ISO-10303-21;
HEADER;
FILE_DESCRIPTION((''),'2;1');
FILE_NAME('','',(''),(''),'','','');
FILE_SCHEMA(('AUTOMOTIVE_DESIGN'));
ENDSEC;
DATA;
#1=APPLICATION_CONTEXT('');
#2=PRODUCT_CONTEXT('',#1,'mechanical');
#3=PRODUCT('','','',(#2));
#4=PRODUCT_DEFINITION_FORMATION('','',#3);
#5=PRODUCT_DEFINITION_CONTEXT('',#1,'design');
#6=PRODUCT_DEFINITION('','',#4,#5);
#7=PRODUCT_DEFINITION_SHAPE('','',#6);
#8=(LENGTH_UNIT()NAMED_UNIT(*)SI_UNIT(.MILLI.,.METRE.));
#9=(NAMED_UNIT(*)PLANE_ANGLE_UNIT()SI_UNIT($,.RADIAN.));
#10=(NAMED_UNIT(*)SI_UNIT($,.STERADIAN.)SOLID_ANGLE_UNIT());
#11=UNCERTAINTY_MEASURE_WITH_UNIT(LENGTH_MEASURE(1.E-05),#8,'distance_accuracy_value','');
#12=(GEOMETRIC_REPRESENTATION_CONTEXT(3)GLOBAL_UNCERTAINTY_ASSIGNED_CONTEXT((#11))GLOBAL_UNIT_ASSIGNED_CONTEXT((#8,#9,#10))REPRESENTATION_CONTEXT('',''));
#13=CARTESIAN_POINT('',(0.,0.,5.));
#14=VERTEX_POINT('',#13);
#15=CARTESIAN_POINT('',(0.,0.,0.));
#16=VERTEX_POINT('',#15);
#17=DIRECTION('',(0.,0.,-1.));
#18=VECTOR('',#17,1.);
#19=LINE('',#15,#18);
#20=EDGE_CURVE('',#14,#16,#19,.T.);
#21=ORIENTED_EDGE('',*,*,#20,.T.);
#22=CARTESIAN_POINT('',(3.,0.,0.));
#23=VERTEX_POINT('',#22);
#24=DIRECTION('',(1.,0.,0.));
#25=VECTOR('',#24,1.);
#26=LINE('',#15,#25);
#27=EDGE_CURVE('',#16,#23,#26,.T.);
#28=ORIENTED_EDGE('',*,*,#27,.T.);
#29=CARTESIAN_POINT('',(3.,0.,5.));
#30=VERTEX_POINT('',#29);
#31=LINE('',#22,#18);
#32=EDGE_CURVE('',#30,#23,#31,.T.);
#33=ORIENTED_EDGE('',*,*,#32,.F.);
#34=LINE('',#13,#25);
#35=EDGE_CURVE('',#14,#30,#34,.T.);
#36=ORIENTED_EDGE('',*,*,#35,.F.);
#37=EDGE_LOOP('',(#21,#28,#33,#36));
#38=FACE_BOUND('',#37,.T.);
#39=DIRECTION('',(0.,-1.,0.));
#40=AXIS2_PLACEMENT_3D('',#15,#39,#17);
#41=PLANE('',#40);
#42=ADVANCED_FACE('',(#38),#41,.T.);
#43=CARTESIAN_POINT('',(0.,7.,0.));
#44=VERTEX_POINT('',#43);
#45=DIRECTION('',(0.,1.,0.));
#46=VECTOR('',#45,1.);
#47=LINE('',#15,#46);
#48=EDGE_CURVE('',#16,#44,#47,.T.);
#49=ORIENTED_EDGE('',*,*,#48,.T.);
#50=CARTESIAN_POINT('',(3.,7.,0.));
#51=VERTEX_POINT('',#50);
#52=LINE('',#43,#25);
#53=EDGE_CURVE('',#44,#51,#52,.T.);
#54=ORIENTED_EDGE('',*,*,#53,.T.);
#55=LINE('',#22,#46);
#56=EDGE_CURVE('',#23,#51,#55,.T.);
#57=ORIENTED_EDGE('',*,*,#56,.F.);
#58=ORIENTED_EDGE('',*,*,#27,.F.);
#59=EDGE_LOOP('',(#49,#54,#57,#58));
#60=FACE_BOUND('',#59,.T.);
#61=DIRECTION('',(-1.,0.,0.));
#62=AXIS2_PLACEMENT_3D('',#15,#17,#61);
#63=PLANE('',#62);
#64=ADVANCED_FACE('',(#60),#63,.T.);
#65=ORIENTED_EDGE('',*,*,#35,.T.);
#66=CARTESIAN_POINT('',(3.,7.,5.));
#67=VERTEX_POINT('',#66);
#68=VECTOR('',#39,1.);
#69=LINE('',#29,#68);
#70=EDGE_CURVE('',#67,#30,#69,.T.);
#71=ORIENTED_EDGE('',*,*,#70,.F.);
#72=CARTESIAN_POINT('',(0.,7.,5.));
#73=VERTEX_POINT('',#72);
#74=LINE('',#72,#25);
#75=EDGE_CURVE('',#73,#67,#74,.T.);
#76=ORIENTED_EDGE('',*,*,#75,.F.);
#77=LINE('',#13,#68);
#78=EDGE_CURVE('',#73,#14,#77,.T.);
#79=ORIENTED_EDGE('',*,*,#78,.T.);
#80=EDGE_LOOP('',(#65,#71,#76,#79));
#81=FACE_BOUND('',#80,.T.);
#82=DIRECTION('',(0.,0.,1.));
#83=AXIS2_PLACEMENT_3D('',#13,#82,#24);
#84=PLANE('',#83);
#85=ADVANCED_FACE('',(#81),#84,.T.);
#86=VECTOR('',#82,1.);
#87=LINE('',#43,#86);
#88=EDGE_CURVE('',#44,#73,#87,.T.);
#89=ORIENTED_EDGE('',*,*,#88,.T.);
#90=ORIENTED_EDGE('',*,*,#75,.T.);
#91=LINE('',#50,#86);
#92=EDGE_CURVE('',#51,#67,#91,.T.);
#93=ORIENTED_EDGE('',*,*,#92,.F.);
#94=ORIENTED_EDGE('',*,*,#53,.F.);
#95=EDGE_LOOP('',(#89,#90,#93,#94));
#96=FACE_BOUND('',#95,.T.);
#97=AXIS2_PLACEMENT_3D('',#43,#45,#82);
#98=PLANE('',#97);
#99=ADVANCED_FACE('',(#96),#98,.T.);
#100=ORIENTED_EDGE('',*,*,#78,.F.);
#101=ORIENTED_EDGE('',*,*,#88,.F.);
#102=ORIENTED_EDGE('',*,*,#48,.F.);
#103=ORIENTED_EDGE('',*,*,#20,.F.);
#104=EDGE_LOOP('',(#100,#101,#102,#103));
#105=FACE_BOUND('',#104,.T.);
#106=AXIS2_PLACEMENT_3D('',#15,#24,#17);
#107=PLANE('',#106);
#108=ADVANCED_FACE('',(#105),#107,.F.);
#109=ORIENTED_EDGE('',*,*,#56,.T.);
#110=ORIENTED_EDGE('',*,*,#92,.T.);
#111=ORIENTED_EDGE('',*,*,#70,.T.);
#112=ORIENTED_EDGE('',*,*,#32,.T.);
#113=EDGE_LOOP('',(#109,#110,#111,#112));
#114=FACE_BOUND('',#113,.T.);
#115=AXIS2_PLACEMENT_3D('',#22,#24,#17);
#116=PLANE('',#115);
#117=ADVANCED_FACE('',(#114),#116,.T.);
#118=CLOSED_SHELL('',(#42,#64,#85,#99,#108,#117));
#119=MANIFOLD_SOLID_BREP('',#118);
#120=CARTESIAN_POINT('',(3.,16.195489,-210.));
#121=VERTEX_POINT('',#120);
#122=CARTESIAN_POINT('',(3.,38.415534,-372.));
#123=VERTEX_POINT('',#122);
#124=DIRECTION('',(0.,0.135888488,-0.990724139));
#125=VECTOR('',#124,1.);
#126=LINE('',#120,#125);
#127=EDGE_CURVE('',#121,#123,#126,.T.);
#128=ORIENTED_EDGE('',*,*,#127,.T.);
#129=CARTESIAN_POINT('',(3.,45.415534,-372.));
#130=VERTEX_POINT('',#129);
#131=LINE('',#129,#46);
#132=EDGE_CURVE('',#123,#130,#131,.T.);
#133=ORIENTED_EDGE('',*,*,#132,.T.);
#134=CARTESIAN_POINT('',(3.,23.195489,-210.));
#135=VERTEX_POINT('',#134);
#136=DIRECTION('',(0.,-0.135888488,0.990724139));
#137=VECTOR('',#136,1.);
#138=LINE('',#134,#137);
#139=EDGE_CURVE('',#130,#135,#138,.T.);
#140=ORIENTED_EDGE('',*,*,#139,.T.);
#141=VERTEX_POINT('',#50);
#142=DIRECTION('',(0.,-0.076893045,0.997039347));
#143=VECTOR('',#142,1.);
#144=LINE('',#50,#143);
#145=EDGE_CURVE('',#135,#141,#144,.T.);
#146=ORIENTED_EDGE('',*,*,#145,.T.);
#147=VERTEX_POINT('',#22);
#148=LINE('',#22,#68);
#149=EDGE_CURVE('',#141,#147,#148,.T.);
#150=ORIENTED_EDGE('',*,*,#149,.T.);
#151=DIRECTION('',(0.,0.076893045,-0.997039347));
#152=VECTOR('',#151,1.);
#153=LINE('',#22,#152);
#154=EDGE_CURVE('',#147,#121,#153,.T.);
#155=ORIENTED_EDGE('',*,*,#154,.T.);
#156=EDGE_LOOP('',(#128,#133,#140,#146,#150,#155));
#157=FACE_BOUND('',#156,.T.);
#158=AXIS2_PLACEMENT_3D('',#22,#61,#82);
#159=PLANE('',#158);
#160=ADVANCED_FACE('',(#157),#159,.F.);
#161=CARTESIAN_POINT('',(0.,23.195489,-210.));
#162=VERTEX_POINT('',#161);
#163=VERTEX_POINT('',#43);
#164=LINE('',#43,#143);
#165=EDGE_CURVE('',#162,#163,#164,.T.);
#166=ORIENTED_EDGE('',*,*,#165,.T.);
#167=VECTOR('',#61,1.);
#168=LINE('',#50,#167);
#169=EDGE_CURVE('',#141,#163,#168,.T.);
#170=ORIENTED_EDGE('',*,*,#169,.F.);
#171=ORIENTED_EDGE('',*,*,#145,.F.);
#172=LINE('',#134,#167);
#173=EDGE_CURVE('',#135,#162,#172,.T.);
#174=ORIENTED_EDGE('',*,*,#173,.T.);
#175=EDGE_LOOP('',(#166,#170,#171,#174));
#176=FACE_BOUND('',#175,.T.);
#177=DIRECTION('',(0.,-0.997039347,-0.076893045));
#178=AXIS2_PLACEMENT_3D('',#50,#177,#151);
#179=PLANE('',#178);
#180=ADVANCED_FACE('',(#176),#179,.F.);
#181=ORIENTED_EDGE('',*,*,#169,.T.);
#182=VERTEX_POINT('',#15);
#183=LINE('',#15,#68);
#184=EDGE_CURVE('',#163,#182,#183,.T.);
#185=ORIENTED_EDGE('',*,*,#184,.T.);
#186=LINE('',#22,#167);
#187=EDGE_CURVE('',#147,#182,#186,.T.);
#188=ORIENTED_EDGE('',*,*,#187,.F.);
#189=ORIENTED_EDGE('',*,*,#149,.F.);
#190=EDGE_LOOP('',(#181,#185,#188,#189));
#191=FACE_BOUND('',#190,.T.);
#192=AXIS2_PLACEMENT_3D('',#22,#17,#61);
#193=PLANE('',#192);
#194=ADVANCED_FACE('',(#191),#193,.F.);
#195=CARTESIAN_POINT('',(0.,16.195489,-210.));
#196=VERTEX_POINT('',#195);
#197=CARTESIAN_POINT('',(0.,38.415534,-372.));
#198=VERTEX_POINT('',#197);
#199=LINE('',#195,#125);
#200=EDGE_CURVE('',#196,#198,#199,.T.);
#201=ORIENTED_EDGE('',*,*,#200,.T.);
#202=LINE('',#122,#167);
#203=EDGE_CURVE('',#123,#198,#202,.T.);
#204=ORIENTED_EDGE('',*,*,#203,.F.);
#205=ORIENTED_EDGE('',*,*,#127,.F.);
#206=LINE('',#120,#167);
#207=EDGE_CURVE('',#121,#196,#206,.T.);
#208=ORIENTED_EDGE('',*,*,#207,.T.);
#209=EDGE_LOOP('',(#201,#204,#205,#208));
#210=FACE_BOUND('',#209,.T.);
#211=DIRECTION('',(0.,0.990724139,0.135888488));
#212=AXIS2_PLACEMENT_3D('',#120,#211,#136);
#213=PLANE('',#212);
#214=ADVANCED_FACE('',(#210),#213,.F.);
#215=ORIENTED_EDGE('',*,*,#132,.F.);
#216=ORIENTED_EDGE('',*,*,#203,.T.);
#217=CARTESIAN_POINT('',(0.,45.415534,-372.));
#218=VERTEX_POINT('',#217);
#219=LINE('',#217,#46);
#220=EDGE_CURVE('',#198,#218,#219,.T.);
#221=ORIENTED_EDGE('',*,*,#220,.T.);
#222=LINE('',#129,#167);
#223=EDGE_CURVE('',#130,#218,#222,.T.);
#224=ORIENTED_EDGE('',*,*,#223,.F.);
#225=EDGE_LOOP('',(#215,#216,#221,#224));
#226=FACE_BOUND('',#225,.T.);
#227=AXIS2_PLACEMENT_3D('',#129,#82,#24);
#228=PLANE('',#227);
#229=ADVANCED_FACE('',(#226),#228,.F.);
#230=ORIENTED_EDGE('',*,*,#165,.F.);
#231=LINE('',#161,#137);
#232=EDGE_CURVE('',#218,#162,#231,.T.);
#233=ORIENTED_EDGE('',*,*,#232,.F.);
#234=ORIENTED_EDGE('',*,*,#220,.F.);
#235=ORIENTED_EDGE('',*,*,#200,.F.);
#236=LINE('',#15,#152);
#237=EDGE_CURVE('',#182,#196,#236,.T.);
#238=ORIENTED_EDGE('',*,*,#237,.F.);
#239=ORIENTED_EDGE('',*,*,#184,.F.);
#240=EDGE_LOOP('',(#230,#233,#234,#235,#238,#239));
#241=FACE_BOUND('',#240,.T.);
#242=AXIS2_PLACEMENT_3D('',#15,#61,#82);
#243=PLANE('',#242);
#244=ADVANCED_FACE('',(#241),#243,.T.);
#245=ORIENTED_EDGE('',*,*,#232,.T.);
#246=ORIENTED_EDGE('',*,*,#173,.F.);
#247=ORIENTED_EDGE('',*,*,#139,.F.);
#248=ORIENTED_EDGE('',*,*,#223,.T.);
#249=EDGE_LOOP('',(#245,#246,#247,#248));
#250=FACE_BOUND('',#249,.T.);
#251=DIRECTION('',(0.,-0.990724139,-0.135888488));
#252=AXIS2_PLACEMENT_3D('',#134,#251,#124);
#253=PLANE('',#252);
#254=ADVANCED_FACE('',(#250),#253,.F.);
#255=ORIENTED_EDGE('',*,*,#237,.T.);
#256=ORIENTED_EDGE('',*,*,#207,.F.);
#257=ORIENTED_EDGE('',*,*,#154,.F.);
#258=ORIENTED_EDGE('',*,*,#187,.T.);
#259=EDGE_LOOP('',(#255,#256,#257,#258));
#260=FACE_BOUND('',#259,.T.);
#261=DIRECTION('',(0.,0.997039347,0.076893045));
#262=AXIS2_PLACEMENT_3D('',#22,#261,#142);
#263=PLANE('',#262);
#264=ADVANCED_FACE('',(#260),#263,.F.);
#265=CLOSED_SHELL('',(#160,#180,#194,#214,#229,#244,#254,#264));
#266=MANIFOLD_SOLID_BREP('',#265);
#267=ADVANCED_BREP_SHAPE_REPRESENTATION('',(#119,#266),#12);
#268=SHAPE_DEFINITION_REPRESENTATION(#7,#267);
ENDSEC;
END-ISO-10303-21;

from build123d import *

# Parameters (mm, degrees)
BOSS_EXTRUDE1_DEPTH = 3
SKETCH2_W           = 5
SKETCH2_H           = 7
BOSS_EXTRUDE2_DEPTH = 3


with BuildPart() as part:
    # Sketch1 → Boss-Extrude1 (new body)
    with BuildSketch(Plane(origin=(0, 0, 0), x_dir=(0, 0, -1), z_dir=(1, 0, 0))):
        Polygon((0, 0), (0, 7), (210, 23.195488775), (372, 45.41553397), (372, 38.41553397), (210, 16.195488775), align=None)
    extrude(amount=BOSS_EXTRUDE1_DEPTH)


with BuildPart() as body_2:
    # Sketch2 → Boss-Extrude2 (new body)
    with BuildSketch(Plane(origin=(3, 0, 0), x_dir=(0, 0, -1), z_dir=(1, 0, 0))):
        with Locations((-2.5, 3.5)):
            Rectangle(SKETCH2_W, SKETCH2_H)
    extrude(amount=-BOSS_EXTRUDE2_DEPTH)


solid = Compound([part.part, body_2.part])
